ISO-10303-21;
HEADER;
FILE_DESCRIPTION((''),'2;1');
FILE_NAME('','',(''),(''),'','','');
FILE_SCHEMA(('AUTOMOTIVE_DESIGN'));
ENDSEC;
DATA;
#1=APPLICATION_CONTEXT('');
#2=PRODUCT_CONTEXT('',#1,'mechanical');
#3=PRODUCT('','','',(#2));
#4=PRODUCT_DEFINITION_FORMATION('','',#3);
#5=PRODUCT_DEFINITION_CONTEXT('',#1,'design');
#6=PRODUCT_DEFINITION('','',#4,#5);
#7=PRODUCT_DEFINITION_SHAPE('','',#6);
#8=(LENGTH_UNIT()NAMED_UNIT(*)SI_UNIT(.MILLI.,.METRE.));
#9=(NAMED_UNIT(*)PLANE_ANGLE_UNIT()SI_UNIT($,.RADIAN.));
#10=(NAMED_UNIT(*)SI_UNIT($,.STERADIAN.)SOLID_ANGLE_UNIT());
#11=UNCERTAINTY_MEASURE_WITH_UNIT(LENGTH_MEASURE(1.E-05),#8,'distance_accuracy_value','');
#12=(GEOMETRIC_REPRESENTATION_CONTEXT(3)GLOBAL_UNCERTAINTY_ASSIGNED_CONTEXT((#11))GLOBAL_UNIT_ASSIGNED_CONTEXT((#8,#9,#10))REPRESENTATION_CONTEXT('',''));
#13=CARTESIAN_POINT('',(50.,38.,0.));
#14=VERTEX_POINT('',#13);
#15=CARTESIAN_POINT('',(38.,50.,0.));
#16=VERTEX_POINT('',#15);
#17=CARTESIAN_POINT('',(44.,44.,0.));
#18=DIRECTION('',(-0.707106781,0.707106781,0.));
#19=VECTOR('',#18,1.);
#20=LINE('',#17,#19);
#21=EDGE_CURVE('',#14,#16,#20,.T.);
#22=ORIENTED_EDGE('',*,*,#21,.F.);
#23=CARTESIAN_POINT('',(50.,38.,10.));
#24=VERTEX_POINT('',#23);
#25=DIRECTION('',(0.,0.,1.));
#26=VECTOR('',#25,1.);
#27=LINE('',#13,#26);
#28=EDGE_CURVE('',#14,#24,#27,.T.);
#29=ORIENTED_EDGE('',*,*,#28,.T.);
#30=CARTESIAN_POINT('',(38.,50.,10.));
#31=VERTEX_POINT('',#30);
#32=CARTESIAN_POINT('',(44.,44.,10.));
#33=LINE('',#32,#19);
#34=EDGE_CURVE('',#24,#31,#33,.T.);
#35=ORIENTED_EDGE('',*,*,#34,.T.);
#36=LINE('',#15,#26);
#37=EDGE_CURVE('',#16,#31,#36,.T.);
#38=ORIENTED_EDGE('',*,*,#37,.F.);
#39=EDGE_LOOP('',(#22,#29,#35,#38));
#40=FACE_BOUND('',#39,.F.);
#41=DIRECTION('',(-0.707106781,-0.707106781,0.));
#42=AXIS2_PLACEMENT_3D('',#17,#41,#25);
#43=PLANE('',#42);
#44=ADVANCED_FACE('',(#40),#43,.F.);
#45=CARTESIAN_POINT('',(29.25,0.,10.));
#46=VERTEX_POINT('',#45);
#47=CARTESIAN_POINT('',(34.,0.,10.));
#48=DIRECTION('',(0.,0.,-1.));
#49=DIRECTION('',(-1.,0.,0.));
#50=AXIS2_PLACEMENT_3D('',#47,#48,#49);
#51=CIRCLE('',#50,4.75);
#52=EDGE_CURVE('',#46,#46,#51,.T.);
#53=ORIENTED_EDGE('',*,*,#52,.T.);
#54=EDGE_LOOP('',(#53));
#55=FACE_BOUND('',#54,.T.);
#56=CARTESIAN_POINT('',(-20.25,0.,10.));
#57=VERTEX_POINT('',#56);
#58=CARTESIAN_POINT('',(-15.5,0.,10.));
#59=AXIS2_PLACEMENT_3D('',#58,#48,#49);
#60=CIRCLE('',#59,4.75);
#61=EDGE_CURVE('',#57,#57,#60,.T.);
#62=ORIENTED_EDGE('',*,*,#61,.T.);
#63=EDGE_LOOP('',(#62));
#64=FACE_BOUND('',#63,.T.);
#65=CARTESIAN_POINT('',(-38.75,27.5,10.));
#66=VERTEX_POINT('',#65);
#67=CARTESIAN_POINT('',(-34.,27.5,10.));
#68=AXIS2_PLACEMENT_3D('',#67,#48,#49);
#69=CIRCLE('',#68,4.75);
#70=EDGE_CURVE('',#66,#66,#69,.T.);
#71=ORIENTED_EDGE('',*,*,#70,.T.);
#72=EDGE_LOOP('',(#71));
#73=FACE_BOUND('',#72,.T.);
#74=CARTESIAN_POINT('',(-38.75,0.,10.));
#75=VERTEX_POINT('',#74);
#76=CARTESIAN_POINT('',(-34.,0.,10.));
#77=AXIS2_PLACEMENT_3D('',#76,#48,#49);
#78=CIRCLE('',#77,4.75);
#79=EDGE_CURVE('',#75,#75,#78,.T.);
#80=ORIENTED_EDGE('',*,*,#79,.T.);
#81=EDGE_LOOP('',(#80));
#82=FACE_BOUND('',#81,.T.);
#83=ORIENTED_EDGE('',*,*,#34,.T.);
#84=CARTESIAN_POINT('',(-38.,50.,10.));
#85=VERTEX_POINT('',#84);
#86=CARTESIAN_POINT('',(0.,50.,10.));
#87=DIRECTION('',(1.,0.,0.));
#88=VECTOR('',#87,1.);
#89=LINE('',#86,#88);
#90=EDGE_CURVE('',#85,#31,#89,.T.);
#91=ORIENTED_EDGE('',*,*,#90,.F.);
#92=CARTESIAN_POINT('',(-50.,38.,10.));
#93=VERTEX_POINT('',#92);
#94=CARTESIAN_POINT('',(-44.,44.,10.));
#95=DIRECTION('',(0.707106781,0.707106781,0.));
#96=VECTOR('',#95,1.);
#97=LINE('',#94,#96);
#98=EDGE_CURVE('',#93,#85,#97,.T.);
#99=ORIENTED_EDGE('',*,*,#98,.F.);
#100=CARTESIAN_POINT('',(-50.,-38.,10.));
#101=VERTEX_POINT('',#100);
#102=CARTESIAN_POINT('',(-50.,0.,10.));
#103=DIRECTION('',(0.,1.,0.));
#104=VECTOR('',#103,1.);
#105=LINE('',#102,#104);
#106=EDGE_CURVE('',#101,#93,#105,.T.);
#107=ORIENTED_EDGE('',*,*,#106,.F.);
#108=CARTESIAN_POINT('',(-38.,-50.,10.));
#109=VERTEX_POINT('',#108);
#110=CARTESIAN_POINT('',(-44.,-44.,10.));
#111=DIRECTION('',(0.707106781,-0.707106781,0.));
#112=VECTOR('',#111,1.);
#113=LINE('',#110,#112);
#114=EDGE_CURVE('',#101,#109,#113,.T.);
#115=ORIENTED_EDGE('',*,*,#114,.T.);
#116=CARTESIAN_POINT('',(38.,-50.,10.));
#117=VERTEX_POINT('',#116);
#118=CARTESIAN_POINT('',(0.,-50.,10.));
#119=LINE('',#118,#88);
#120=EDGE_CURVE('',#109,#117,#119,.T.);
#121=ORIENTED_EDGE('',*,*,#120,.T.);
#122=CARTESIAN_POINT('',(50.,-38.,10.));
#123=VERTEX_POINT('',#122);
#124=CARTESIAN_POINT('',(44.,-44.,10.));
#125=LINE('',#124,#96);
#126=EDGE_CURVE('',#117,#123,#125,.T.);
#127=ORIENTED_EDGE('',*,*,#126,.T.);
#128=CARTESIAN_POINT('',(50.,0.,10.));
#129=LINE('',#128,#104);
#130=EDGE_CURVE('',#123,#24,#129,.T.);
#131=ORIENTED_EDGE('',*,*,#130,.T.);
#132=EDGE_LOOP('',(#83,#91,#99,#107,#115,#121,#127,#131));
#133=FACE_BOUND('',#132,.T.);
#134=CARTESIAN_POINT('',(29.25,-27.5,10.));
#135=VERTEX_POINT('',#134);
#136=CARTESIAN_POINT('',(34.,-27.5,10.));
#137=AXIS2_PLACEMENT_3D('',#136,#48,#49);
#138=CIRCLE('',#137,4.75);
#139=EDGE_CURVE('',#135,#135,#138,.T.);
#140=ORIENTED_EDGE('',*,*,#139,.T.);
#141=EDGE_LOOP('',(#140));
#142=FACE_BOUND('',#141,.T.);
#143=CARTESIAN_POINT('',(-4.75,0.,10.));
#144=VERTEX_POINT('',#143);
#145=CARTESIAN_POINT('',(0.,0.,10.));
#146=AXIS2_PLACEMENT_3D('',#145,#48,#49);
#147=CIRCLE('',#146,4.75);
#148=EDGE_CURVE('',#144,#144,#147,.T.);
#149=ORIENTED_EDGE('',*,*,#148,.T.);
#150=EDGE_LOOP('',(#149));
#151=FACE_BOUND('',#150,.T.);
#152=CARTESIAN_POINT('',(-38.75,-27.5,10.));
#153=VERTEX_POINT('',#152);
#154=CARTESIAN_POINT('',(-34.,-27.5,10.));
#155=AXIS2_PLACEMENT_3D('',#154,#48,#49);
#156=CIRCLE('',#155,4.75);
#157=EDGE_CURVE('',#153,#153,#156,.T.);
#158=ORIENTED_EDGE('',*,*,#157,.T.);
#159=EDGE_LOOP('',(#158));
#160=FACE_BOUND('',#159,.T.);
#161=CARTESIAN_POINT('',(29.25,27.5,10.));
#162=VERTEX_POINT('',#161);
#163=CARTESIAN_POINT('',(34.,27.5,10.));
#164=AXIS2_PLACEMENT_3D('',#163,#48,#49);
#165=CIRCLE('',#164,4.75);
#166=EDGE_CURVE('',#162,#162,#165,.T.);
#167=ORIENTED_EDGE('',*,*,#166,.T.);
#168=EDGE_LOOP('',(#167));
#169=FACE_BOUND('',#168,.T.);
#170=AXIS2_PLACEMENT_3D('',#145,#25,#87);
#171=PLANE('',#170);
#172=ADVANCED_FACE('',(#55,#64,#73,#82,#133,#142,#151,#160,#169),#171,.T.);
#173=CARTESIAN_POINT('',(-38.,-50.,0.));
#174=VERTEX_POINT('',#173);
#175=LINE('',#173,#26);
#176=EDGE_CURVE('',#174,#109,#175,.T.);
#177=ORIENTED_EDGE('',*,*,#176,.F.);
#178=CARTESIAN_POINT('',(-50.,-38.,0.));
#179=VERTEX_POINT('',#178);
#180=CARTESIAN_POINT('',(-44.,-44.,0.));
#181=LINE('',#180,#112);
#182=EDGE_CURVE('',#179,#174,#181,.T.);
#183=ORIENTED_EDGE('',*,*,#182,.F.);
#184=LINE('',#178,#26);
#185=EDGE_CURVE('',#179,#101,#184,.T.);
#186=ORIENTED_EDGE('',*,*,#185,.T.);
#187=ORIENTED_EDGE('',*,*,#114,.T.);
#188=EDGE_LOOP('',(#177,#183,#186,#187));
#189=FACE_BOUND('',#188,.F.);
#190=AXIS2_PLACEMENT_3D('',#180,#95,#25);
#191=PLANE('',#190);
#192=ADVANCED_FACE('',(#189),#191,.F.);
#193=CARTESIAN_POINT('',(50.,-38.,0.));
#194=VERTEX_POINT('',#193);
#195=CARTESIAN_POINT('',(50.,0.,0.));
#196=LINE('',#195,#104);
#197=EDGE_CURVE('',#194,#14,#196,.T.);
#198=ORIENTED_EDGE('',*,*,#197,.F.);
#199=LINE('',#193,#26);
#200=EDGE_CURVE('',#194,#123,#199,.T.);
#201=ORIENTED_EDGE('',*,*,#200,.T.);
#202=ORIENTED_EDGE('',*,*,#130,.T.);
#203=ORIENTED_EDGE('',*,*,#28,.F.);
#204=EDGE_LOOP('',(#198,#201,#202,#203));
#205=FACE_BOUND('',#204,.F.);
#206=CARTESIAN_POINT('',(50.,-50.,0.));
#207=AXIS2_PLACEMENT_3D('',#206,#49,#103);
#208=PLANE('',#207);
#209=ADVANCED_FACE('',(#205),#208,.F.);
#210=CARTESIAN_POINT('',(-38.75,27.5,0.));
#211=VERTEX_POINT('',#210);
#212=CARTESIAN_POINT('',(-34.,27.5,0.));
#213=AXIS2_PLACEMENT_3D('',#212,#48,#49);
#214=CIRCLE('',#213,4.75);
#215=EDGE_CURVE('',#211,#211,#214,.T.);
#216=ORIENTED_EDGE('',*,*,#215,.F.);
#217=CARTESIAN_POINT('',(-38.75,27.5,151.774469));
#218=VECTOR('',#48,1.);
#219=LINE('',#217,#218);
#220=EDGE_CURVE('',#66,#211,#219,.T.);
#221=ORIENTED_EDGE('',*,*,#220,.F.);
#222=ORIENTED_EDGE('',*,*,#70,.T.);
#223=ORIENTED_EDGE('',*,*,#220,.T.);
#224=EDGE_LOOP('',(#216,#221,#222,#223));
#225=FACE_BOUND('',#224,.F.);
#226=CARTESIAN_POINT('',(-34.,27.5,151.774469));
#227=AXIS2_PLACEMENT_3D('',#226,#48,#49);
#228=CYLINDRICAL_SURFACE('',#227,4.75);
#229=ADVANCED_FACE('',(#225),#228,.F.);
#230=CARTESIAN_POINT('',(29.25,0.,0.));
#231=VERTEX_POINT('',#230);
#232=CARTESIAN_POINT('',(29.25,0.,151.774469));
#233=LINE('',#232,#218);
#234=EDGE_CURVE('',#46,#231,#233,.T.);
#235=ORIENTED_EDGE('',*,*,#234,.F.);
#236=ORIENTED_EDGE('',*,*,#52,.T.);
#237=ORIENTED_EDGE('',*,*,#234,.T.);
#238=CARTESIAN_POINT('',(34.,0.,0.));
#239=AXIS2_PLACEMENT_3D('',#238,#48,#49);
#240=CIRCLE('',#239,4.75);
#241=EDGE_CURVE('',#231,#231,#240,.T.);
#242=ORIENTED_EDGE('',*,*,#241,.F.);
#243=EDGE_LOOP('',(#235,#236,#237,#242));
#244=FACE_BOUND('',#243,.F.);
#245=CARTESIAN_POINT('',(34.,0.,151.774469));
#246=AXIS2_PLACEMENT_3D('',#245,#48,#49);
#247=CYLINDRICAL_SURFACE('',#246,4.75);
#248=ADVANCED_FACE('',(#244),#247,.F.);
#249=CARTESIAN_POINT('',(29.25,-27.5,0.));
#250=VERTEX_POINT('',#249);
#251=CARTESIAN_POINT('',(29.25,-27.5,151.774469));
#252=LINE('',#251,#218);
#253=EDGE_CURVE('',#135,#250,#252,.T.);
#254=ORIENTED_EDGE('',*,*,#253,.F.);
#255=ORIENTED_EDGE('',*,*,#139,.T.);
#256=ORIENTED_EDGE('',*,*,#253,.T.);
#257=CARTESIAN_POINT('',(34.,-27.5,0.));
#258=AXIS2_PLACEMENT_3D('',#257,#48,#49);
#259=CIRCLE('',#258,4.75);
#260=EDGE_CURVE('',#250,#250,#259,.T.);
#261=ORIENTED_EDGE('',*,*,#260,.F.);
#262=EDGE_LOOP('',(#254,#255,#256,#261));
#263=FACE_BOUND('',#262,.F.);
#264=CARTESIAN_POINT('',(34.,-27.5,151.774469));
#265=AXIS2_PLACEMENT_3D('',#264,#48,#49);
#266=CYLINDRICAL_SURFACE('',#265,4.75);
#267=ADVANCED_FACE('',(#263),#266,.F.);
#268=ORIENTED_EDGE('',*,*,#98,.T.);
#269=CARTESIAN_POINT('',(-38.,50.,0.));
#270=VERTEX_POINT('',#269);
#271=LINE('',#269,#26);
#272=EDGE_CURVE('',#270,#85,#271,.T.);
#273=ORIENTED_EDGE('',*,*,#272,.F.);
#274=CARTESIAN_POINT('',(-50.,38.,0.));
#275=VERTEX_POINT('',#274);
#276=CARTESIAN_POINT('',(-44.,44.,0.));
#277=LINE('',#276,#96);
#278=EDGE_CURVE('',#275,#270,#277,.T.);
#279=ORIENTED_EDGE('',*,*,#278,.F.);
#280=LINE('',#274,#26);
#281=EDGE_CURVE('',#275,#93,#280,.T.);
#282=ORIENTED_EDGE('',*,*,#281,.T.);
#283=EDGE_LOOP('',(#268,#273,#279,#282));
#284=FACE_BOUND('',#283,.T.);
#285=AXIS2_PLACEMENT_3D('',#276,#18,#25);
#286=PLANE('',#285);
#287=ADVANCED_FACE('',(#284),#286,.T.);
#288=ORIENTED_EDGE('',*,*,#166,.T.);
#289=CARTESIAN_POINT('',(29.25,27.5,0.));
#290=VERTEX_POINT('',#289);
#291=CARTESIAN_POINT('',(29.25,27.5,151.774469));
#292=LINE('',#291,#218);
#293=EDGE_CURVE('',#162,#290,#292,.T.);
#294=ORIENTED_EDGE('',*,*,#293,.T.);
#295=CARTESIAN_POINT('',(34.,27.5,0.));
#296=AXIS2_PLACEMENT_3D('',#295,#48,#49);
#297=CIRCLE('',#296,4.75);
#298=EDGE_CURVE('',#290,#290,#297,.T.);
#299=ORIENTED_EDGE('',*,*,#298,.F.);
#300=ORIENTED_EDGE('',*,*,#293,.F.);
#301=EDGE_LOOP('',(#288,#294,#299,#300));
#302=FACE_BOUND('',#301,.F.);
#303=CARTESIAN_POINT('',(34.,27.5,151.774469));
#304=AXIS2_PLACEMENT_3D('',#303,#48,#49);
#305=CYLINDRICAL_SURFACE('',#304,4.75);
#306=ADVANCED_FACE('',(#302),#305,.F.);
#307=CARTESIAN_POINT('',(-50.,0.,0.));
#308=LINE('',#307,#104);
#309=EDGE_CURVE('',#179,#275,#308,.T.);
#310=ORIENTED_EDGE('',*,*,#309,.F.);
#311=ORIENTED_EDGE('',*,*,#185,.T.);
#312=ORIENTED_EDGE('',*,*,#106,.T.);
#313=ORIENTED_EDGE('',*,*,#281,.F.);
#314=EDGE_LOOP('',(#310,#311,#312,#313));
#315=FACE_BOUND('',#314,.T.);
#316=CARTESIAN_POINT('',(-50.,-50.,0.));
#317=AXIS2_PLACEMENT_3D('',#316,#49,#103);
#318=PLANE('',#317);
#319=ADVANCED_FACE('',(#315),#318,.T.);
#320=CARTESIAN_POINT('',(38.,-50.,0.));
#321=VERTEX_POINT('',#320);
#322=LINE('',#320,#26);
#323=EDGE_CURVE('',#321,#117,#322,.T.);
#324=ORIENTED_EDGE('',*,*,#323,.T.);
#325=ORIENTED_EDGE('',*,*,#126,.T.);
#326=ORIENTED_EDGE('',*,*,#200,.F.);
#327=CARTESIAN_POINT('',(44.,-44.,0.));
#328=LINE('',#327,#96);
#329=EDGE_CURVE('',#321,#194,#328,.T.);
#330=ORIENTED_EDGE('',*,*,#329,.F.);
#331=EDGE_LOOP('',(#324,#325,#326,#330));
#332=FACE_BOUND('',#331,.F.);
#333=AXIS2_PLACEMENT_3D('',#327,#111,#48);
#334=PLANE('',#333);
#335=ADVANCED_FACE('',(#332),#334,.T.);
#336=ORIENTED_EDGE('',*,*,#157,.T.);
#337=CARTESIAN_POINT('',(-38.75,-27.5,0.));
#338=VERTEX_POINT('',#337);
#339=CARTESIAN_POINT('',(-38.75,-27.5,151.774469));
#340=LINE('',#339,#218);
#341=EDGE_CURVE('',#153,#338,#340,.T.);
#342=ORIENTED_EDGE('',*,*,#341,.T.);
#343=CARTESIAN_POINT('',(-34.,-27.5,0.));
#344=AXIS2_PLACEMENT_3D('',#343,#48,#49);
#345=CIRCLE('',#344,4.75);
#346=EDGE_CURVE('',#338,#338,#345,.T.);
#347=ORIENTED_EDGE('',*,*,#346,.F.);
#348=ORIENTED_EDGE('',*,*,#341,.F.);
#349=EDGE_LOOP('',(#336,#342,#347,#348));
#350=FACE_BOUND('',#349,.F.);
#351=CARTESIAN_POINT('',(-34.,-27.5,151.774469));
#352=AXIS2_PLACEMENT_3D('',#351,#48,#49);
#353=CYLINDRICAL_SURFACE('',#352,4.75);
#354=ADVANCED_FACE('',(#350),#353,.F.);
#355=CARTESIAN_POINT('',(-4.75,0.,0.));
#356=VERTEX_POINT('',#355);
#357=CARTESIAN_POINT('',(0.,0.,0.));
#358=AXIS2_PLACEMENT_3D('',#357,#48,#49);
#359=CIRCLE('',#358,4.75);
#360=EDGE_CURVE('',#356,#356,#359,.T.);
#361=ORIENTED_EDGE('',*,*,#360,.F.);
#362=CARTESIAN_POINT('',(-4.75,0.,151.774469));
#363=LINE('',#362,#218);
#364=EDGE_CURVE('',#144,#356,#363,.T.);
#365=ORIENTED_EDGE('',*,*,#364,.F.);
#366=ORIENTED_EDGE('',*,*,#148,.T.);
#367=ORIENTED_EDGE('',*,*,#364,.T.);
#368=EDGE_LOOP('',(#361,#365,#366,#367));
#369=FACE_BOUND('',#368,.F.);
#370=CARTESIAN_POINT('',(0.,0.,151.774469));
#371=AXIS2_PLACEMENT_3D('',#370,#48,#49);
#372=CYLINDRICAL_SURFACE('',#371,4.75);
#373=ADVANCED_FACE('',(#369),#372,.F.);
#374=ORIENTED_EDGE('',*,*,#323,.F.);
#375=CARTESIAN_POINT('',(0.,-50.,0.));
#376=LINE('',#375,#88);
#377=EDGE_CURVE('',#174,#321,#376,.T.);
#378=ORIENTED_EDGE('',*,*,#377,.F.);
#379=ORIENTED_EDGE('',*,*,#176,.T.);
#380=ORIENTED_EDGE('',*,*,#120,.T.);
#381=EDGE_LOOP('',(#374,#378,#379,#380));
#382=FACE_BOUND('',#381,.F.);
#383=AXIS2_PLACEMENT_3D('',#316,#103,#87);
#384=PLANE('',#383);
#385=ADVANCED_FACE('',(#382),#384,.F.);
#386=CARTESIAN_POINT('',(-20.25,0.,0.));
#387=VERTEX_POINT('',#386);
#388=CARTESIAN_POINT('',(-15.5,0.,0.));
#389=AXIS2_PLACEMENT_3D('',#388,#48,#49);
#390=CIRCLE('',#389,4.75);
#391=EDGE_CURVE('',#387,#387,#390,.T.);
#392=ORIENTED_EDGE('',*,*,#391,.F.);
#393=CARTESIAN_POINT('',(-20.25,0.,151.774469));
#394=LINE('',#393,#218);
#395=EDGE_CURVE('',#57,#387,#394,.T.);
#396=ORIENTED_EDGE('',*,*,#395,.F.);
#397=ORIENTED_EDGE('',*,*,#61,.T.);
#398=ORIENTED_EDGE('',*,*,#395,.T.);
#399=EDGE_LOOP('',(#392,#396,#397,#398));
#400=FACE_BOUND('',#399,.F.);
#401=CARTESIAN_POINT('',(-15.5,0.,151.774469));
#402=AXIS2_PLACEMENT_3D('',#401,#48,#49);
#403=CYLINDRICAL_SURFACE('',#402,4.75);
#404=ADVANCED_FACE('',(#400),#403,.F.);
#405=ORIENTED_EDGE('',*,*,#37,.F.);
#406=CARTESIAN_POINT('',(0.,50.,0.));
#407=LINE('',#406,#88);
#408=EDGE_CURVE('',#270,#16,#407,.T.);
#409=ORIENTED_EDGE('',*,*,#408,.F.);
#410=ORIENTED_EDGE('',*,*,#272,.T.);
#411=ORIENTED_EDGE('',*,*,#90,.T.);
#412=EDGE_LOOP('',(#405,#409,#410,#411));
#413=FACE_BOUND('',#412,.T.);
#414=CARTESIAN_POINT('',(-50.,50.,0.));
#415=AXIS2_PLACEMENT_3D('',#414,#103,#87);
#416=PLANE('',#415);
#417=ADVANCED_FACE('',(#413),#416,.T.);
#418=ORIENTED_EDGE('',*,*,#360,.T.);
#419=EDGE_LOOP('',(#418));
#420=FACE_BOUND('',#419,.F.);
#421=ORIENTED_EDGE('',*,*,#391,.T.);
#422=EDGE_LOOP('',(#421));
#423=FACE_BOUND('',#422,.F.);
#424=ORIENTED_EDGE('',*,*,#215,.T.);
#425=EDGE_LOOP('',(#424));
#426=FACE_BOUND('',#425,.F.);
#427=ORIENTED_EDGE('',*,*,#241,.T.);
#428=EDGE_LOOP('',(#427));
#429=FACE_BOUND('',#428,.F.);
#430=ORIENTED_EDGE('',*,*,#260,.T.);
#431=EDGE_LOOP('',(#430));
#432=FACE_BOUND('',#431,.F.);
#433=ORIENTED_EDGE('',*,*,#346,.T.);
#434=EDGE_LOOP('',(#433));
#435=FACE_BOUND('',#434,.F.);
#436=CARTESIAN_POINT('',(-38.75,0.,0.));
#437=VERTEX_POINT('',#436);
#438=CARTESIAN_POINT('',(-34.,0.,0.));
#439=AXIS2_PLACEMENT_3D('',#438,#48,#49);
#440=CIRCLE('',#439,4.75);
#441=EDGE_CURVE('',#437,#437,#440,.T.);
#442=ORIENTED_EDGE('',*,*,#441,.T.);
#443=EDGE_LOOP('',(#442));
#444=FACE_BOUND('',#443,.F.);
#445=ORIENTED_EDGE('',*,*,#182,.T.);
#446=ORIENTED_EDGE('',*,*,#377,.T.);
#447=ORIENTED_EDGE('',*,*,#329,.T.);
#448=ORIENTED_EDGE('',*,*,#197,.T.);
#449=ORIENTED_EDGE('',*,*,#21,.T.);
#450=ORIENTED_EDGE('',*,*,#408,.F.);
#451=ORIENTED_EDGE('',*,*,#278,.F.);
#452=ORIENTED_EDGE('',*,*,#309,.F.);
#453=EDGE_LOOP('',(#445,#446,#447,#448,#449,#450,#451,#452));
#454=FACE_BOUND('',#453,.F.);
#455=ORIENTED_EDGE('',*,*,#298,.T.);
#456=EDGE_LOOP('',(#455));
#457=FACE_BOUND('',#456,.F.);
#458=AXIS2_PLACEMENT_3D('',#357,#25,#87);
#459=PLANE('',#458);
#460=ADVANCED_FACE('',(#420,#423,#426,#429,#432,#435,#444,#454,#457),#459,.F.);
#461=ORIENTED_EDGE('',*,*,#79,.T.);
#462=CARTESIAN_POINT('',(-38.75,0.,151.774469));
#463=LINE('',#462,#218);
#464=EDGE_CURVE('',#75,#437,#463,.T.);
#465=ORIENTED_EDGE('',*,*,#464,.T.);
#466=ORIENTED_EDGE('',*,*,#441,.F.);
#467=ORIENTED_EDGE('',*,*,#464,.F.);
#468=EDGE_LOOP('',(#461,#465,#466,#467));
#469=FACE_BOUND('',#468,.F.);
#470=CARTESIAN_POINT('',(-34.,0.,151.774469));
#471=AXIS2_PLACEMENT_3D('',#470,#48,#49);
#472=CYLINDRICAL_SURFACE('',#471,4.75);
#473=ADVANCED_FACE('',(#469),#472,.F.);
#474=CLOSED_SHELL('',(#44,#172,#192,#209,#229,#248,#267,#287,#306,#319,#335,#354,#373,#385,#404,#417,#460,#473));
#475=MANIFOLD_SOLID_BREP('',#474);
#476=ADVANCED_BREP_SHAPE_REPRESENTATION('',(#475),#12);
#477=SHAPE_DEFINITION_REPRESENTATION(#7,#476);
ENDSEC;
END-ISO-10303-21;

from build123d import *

# Parameters (mm, degrees)
F0_W     = 100
F0_H     = 100
F1_DEPTH = 10
F2_SIZE  = 12
F4_D     = 9.5


with BuildPart() as f1:
    # F0 (on Top) → F1 (new body)
    with BuildSketch(Plane.XY):
        Rectangle(F0_W, F0_H)
    extrude(amount=F1_DEPTH)

    # F2
    f2_edges = [f1.edges().sort_by_distance(p)[0] for p in [
        (50, -50, 5),
        (50, 50, 5),
        (-50, -50, 5),
        (-50, 50, 5),
    ]]
    chamfer(f2_edges, length=F2_SIZE)

    # F4 (through all)
    with Locations(Plane.XY.offset(10)):
        with Locations((-15.5, 0), (-34, 0), (-34, -27.5), (-34, 27.5), (34, 27.5), (34, 0), (34, -27.5), (0, 0)):
            Hole(F4_D / 2)


solid = f1.part
